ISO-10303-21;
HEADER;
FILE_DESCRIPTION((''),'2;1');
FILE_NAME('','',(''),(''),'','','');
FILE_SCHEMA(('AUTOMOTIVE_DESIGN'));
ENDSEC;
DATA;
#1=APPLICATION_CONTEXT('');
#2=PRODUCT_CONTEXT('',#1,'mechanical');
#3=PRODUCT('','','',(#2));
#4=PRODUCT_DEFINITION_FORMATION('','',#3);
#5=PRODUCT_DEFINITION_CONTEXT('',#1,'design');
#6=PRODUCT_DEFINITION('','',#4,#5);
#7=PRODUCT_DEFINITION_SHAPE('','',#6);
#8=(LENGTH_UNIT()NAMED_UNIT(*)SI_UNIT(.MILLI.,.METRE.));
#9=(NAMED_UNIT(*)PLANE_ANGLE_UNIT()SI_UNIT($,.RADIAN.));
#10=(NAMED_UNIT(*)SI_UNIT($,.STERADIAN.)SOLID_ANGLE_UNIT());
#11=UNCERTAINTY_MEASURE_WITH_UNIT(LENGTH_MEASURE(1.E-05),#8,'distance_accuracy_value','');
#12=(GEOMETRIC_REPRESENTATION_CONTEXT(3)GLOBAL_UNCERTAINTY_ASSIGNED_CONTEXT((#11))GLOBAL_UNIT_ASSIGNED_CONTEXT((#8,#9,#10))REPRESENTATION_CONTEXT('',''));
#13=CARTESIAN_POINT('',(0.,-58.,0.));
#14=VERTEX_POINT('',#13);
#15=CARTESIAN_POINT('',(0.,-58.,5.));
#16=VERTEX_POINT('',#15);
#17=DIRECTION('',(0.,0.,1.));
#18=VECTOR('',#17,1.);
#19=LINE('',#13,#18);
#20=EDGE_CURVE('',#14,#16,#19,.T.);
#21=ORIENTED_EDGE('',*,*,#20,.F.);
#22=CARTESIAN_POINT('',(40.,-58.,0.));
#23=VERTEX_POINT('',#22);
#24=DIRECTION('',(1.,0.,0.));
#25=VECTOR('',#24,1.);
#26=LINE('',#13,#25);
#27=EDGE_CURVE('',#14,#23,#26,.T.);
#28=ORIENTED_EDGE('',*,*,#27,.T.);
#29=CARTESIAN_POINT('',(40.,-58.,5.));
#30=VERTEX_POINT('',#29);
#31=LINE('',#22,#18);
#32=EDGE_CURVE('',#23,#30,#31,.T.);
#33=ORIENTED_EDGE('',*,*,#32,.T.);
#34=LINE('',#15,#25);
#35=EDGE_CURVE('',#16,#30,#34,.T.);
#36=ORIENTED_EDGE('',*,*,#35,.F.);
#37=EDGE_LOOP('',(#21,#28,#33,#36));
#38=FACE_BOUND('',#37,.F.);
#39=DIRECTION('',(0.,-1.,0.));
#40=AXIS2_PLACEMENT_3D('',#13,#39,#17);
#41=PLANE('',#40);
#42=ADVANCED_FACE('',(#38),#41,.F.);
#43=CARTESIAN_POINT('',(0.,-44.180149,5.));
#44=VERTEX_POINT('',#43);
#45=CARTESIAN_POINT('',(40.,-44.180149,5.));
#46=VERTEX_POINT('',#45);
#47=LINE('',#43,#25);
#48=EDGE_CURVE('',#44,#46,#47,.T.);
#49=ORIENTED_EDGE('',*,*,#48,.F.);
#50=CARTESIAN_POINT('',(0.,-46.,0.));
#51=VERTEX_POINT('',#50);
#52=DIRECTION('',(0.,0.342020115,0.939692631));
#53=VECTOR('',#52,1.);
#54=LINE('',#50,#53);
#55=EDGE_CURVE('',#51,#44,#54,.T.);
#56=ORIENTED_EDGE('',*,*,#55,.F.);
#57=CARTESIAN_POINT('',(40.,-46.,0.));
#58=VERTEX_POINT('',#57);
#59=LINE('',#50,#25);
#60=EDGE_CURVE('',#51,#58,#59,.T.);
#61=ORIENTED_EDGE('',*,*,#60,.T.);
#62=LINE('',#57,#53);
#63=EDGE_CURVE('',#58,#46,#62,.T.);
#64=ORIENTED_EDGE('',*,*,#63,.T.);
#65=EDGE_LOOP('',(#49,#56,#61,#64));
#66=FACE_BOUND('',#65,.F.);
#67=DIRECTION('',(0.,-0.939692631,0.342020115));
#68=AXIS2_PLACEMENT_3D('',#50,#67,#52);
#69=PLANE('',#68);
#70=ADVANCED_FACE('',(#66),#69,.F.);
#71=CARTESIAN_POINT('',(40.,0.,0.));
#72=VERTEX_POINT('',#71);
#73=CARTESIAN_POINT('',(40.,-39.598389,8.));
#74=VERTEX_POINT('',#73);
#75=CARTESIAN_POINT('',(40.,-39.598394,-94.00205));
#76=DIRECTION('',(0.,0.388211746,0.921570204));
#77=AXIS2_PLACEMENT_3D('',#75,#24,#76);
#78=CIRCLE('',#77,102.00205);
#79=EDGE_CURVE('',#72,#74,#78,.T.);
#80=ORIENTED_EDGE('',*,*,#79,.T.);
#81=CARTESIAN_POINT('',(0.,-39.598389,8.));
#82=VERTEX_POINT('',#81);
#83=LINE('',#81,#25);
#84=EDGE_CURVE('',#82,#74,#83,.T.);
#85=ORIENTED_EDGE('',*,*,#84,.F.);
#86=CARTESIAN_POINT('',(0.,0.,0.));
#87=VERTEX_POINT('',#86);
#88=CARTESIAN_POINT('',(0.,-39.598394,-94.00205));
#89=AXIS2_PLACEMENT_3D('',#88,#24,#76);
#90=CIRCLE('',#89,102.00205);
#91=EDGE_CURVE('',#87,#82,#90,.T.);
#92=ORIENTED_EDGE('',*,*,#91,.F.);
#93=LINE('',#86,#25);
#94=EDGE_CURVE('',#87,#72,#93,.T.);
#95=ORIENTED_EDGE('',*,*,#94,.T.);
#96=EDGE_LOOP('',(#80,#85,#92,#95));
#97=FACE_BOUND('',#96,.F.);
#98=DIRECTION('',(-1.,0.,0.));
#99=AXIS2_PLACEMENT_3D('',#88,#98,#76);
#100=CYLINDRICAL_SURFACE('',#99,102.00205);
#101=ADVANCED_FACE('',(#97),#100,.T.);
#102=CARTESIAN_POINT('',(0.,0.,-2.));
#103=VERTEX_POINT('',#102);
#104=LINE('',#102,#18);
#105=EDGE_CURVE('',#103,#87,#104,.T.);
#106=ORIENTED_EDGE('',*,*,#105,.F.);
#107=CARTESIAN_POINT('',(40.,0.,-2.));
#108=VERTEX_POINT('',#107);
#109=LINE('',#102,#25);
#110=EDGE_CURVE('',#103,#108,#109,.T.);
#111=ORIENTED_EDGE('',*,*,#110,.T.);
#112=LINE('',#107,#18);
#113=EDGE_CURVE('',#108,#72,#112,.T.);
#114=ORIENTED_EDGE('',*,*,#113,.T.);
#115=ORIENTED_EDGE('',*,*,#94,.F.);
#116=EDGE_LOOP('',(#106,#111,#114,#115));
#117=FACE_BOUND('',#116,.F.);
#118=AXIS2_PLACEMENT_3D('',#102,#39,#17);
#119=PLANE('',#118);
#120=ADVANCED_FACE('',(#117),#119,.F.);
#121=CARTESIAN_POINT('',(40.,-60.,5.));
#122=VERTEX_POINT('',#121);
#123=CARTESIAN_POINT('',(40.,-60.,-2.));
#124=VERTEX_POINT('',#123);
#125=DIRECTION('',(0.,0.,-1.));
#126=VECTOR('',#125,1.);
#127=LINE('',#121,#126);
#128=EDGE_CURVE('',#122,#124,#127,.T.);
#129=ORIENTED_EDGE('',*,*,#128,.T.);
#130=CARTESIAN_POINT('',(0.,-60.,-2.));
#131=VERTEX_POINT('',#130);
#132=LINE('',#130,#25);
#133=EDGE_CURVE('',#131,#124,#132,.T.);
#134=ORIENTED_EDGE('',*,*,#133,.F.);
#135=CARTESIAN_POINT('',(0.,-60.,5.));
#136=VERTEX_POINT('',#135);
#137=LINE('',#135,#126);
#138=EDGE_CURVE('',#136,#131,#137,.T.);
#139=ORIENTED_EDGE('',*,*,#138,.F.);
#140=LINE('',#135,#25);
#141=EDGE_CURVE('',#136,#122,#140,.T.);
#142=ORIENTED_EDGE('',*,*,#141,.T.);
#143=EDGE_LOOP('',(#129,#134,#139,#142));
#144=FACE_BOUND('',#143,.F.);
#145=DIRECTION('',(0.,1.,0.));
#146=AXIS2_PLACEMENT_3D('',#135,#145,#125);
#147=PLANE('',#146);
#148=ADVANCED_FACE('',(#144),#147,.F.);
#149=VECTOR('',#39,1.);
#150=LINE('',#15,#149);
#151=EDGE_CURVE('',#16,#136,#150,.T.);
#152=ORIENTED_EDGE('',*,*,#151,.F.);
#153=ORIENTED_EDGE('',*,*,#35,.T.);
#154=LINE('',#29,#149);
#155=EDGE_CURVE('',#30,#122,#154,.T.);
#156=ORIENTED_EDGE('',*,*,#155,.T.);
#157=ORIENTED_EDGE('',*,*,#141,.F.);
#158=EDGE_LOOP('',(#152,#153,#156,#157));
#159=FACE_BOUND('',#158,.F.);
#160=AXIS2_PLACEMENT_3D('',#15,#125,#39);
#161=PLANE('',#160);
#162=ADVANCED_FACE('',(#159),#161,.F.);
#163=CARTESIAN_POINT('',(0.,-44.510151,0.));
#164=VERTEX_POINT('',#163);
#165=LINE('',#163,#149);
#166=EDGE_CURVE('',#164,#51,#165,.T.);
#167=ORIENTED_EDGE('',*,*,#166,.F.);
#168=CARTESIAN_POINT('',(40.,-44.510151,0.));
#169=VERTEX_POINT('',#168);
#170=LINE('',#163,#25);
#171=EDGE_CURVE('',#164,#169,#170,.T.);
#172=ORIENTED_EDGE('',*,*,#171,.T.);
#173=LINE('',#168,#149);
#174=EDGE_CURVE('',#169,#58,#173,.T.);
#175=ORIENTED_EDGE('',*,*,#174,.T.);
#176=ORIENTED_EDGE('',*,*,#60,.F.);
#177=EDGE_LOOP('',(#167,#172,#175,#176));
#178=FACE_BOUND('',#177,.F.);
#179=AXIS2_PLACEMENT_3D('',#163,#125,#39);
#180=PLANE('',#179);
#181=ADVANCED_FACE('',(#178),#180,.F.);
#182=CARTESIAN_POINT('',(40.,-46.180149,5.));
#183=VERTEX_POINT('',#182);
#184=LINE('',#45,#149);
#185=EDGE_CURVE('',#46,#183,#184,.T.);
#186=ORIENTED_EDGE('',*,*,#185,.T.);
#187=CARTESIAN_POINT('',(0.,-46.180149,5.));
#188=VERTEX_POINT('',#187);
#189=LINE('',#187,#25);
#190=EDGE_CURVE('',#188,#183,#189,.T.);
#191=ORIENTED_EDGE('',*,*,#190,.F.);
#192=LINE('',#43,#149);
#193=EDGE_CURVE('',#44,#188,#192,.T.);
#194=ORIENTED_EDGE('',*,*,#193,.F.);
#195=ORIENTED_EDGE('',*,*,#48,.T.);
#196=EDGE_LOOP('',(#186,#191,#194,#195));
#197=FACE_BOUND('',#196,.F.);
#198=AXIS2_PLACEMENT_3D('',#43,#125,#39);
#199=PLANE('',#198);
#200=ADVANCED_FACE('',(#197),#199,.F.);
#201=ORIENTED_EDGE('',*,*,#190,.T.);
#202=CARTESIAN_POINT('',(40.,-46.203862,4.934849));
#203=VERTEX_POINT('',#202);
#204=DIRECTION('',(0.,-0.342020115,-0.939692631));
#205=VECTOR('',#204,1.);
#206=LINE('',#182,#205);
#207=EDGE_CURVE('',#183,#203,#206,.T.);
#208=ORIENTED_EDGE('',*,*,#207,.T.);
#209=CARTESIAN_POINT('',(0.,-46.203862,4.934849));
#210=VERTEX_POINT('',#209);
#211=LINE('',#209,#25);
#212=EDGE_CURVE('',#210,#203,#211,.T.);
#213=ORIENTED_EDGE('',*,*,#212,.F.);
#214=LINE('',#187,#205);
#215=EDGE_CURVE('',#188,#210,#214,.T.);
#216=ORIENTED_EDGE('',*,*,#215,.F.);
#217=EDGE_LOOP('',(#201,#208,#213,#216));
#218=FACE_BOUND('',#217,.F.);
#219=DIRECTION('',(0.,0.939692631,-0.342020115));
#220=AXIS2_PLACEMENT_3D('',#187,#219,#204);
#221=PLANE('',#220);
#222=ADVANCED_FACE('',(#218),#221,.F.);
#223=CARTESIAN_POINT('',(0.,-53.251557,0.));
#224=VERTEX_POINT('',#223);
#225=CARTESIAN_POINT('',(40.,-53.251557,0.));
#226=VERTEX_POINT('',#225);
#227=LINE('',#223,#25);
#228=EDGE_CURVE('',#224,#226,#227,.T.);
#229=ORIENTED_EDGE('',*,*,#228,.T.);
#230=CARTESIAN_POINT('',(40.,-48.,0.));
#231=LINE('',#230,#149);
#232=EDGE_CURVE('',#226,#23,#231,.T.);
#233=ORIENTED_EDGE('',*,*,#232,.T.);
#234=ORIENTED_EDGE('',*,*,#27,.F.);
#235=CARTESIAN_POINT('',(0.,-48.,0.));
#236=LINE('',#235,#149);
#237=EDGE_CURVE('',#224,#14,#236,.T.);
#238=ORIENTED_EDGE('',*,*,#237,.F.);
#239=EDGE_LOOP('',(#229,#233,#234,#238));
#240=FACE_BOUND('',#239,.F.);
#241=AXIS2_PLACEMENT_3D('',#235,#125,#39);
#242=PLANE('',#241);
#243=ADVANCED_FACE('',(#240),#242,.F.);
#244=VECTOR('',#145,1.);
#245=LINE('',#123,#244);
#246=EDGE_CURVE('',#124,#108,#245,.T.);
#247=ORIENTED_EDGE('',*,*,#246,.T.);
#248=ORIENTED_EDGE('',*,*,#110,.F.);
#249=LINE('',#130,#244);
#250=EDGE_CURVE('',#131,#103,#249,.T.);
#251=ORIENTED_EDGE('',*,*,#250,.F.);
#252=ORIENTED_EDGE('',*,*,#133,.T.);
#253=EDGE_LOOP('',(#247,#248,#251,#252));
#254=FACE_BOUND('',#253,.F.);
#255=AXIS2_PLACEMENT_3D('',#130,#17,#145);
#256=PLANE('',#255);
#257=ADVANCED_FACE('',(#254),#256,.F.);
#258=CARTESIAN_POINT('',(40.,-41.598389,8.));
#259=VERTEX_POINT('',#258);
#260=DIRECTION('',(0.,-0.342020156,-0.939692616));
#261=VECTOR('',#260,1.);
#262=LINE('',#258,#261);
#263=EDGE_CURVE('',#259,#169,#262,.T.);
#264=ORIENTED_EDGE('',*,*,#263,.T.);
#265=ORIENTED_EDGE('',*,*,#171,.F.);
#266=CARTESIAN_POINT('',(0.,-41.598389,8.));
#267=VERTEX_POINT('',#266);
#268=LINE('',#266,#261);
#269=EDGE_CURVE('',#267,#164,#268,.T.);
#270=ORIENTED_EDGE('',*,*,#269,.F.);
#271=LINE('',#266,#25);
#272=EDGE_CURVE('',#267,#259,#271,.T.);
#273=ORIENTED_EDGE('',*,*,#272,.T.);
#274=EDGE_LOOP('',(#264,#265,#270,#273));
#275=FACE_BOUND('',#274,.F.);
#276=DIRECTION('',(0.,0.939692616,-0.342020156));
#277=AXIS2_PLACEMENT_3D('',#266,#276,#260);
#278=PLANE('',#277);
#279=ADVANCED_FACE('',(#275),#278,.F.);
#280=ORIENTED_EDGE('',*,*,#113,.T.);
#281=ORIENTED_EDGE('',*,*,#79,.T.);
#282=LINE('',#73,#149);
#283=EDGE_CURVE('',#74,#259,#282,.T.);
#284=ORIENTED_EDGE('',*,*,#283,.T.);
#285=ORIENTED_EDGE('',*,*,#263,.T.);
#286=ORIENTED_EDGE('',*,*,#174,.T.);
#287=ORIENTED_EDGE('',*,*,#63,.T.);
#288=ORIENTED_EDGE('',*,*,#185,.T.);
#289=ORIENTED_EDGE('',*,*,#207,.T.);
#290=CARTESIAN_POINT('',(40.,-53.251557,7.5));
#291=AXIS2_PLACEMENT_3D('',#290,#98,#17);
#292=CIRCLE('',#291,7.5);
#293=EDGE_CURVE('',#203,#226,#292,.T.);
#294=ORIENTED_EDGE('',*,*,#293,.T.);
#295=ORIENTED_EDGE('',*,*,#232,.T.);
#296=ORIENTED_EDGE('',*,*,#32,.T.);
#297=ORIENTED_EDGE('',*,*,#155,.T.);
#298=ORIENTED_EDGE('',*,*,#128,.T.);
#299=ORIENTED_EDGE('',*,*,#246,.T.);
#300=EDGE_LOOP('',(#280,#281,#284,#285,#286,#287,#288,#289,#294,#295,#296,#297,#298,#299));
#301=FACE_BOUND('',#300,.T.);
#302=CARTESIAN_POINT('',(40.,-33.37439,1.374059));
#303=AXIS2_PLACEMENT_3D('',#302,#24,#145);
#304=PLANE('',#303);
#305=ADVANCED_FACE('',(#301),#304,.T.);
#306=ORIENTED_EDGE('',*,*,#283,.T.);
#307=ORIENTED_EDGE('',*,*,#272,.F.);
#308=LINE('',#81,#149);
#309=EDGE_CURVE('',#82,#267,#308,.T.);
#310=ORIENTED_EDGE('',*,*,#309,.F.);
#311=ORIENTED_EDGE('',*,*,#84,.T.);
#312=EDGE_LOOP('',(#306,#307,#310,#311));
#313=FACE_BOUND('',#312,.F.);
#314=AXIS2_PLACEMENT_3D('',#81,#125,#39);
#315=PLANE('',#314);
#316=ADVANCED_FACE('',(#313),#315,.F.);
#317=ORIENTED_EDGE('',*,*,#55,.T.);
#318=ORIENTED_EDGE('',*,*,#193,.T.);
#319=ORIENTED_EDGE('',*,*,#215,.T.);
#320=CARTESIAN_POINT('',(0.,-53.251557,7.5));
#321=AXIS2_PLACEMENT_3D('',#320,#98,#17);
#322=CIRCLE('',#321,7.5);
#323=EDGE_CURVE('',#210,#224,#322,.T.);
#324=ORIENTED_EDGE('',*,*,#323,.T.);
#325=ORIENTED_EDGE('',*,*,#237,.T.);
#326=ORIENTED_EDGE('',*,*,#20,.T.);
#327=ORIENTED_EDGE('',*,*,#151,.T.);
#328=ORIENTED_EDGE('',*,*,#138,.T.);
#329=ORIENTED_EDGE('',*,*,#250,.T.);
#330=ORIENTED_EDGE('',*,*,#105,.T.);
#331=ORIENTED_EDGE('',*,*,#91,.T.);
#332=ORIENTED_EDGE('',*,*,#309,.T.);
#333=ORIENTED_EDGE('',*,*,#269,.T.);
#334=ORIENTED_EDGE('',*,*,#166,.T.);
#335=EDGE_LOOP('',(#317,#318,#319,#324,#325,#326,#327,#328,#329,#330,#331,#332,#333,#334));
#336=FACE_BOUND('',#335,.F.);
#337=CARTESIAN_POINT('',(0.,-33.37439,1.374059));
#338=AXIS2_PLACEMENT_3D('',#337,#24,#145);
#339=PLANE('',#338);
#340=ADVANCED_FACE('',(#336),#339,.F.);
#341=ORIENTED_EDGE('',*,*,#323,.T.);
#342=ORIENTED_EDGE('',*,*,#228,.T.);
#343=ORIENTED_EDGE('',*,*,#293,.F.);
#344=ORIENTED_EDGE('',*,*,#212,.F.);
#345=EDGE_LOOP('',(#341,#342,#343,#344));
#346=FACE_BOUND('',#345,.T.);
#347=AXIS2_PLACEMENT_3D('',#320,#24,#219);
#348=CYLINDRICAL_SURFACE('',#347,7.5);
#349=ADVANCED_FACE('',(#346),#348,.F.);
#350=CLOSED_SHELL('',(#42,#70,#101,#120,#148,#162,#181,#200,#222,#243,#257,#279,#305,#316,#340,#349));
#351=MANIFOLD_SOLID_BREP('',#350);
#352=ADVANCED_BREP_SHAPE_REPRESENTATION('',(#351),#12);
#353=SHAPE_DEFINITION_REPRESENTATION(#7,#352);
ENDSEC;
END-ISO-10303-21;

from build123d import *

# Parameters (mm, degrees)
F1_DEPTH = 40
F2_R     = 7.5


with BuildPart() as f1:
    # F0 (on Right) → F1 (new body)
    with BuildSketch(Plane.YZ):
        with BuildLine():
            Line((0, -2), (0, 0))
            ThreePointArc((0, 0), (-19.399179, 5.979998), (-39.598389, 8))
            Line((-39.598389, 8), (-41.598389, 8))
            Line((-41.598389, 8), (-44.510151, 0))
            Line((-44.510151, 0), (-46, 0))
            Line((-46, 0), (-44.180149, 5))
            Line((-44.180149, 5), (-46.180149, 5))
            Line((-46.180149, 5), (-48, 0))
            Line((-48, 0), (-58, 0))
            Line((-58, 0), (-58, 5))
            Line((-58, 5), (-60, 5))
            Line((-60, 5), (-60, -2))
            Line((-60, -2), (0, -2))
        make_face()
    extrude(amount=F1_DEPTH)

    # F2
    f2_edges = [f1.edges().sort_by_distance(p)[0] for p in [
        (20, -48, 0),
    ]]
    fillet(f2_edges, radius=F2_R)


solid = f1.part
